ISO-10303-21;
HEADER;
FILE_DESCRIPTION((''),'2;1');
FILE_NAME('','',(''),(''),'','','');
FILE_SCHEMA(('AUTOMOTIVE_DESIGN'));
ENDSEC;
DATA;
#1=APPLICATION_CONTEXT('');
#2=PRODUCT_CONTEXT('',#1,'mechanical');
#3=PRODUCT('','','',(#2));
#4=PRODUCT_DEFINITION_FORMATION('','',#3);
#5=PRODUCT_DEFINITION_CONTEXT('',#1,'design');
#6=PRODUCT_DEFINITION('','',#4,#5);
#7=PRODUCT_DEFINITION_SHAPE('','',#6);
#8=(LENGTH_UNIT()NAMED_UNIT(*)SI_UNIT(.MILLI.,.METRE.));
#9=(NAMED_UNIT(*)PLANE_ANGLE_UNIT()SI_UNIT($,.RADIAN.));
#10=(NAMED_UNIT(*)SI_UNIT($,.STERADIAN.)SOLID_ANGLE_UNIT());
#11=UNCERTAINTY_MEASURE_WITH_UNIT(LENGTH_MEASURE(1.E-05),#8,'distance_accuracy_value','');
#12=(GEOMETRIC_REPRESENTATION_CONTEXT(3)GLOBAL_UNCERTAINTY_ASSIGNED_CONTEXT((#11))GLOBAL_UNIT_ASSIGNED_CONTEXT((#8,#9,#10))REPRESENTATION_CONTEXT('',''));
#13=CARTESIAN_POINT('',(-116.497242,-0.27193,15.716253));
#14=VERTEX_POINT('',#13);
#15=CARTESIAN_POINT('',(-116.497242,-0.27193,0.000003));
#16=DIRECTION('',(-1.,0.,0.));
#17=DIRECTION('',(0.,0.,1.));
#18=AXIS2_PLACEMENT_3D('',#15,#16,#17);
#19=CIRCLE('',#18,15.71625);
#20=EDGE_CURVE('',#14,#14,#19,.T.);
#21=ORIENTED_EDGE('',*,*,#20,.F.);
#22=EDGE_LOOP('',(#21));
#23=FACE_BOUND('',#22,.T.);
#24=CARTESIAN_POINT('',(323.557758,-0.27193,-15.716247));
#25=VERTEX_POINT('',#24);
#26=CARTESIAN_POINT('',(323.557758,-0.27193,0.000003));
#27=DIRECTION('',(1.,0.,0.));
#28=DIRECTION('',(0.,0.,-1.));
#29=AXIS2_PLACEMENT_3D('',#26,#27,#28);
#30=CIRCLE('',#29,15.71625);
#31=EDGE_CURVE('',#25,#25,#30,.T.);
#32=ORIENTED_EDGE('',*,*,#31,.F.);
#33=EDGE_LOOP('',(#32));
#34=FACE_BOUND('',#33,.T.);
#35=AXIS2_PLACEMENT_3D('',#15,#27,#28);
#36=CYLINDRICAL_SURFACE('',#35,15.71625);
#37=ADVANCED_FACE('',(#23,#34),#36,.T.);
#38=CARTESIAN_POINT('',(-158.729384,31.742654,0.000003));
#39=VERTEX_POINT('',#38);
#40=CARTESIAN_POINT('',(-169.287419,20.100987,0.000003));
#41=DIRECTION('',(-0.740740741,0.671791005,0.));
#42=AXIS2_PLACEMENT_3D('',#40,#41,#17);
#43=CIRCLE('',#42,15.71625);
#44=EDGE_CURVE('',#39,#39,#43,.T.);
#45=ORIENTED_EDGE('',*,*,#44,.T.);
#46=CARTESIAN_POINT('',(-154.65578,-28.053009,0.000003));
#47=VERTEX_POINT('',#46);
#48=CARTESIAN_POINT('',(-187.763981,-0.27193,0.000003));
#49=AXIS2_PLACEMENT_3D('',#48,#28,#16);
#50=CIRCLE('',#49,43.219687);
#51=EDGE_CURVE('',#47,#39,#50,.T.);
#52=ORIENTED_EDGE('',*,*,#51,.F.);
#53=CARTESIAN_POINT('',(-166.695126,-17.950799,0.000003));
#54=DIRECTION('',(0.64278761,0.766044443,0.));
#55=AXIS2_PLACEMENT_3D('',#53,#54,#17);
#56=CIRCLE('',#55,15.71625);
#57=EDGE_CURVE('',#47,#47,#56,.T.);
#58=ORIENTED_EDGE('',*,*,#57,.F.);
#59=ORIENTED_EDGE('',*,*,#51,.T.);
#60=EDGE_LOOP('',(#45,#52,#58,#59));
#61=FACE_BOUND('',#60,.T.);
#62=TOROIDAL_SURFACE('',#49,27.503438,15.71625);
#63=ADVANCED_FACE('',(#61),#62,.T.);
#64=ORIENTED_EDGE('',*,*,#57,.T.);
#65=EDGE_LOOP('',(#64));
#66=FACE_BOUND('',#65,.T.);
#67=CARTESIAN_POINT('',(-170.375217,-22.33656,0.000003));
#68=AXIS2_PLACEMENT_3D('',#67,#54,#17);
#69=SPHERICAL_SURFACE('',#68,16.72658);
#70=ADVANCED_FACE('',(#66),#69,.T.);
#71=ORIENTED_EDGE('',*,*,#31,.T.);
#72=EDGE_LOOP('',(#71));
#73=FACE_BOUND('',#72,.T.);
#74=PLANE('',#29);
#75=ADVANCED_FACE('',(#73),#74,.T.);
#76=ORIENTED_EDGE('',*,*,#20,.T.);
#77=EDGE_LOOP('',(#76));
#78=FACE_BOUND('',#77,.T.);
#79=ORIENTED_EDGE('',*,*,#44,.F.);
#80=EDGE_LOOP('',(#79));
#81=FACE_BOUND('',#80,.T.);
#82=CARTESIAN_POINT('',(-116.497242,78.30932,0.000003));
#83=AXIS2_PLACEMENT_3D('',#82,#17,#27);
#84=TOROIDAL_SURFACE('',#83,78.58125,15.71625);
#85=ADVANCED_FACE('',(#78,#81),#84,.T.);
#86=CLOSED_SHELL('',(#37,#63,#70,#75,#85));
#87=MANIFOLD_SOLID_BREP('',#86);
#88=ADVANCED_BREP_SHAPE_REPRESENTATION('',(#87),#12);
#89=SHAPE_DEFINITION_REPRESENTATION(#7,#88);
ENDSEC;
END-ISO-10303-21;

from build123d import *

# Parameters (mm, degrees)
SWEEP3_PROFILE_R    = 1.27
DOME1_FACE_RADIUS   = 1.27
DOME1_HEIGHT        = 0.889
SKETCH61_R          = 1.27
BOSS_EXTRUDE2_DEPTH = 30.48
SCALE1_SCALE        = 12.375


with BuildPart() as part:
    # Sweep3: sweep along a path in Sketch40
    with BuildLine(Plane.XY) as sweep3_path:
        Line((10.838928394, 0), (5.758928394, 0))
        ThreePointArc((5.758928394, 0), (3.472667092, 0.425853711), (1.49305551, 1.646296296))
        ThreePointArc((1.49305551, 1.646296296), (-2.217360492, -0.151058595), (1.702533775, -1.428595463))
    # Sweep3 profile (on start of the path) → Sweep3 (sweep)
    with BuildSketch(Plane(origin=(10.838928394, 0, 0), x_dir=(0, 0, -1), z_dir=(-1, 0, 0))):
        Circle(SWEEP3_PROFILE_R)
    sweep(path=sweep3_path.line)

    # Dome1: a dome of height H over a round flat face of radius A is a cap of a sphere of radius (A * A + H * H) / (2 * H)
    dome1_r = (DOME1_FACE_RADIUS * DOME1_FACE_RADIUS + DOME1_HEIGHT * DOME1_HEIGHT) / (2 * DOME1_HEIGHT)
    dome1_base = Plane((1.702533775, -1.428595463, 0), z_dir=(0.642787609687, 0.766044443119, 0))
    with Locations(dome1_base.offset(DOME1_HEIGHT - dome1_r)):
        dome1_ball = Sphere(dome1_r, mode=Mode.PRIVATE)
    add(split(dome1_ball, bisect_by=dome1_base, keep=Keep.TOP, mode=Mode.PRIVATE))

    # Sketch61 → Boss-Extrude2 (add)
    with BuildSketch(Plane(origin=(10.838928394, 0, 0), x_dir=(0, 0, -1), z_dir=(1, 0, 0))):
        Circle(SKETCH61_R)
    extrude(amount=BOSS_EXTRUDE2_DEPTH)


with BuildPart() as part_1:
    # Scale1: scaled about (16.50671912, 0.023905417, 0)
    add(part.part.scale(SCALE1_SCALE).moved(Location((-187.76392999, -0.271924118, 0))))


solid = part_1.part
